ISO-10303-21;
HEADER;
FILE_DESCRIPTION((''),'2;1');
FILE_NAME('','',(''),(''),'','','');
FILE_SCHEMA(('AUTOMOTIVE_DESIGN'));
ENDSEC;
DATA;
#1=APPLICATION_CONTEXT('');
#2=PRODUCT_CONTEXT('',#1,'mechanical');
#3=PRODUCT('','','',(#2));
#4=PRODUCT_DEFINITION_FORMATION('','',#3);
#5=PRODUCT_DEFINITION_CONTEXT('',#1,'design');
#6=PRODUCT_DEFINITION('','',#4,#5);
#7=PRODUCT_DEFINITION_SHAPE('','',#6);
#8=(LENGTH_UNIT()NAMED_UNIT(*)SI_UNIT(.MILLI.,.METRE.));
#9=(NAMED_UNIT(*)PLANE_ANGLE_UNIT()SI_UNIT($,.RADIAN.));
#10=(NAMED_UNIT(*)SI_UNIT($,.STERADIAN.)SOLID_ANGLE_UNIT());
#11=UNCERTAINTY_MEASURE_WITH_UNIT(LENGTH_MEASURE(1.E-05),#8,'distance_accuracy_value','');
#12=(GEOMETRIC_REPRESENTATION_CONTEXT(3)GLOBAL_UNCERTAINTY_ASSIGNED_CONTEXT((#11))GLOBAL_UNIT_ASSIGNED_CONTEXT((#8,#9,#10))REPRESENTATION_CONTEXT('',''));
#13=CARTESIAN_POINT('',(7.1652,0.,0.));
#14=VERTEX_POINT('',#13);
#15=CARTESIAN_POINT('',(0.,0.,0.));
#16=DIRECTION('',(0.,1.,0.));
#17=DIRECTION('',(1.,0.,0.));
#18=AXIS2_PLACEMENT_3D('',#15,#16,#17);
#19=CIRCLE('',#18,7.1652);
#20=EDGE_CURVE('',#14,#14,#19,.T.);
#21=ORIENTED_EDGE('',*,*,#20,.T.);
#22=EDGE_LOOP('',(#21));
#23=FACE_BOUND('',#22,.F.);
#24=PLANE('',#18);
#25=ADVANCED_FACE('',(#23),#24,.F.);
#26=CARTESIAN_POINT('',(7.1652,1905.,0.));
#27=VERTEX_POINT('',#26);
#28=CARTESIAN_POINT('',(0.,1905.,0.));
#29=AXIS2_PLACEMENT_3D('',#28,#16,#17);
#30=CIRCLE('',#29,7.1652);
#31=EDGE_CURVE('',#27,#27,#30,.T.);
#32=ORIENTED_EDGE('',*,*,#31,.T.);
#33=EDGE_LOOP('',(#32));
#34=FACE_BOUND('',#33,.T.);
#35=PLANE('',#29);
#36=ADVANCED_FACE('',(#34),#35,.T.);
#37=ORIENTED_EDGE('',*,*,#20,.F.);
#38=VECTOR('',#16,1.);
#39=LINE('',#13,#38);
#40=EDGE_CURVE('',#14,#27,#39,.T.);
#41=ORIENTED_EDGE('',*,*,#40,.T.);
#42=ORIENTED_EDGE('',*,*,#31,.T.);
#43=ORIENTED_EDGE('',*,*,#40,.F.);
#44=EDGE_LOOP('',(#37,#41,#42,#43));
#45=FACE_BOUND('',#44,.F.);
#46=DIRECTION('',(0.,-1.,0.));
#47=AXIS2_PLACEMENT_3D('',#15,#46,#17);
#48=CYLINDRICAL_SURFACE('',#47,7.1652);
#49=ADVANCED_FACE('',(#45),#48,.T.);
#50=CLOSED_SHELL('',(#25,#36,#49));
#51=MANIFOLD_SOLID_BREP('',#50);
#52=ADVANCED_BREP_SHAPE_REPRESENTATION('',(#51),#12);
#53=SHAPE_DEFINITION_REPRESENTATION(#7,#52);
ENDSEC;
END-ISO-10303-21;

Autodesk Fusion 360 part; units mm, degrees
sketch "Sketch1" plane through (0, 0, 0) normal (0, 1, 0) x (1, 0, 0)
  circle A0 centre (0, 0) radius 7.1652
  dimension "d8" = 14.3304
extrude "Extrude2" add sketch "Sketch1" along normal blind 1905
equation "Force = 300 lbforce"
equation "Elastic_Modulus = 10000000 psi"
equation "Deflection = 0.009 in"
equation "diameter = 0.5641895835 in"
equation "Length = Deflection * ( diameter ^ 2 * PI / 4 ) * Elastic_Modulus / Force"
equation "d8 = diameter"
equation "d9 = Length"
